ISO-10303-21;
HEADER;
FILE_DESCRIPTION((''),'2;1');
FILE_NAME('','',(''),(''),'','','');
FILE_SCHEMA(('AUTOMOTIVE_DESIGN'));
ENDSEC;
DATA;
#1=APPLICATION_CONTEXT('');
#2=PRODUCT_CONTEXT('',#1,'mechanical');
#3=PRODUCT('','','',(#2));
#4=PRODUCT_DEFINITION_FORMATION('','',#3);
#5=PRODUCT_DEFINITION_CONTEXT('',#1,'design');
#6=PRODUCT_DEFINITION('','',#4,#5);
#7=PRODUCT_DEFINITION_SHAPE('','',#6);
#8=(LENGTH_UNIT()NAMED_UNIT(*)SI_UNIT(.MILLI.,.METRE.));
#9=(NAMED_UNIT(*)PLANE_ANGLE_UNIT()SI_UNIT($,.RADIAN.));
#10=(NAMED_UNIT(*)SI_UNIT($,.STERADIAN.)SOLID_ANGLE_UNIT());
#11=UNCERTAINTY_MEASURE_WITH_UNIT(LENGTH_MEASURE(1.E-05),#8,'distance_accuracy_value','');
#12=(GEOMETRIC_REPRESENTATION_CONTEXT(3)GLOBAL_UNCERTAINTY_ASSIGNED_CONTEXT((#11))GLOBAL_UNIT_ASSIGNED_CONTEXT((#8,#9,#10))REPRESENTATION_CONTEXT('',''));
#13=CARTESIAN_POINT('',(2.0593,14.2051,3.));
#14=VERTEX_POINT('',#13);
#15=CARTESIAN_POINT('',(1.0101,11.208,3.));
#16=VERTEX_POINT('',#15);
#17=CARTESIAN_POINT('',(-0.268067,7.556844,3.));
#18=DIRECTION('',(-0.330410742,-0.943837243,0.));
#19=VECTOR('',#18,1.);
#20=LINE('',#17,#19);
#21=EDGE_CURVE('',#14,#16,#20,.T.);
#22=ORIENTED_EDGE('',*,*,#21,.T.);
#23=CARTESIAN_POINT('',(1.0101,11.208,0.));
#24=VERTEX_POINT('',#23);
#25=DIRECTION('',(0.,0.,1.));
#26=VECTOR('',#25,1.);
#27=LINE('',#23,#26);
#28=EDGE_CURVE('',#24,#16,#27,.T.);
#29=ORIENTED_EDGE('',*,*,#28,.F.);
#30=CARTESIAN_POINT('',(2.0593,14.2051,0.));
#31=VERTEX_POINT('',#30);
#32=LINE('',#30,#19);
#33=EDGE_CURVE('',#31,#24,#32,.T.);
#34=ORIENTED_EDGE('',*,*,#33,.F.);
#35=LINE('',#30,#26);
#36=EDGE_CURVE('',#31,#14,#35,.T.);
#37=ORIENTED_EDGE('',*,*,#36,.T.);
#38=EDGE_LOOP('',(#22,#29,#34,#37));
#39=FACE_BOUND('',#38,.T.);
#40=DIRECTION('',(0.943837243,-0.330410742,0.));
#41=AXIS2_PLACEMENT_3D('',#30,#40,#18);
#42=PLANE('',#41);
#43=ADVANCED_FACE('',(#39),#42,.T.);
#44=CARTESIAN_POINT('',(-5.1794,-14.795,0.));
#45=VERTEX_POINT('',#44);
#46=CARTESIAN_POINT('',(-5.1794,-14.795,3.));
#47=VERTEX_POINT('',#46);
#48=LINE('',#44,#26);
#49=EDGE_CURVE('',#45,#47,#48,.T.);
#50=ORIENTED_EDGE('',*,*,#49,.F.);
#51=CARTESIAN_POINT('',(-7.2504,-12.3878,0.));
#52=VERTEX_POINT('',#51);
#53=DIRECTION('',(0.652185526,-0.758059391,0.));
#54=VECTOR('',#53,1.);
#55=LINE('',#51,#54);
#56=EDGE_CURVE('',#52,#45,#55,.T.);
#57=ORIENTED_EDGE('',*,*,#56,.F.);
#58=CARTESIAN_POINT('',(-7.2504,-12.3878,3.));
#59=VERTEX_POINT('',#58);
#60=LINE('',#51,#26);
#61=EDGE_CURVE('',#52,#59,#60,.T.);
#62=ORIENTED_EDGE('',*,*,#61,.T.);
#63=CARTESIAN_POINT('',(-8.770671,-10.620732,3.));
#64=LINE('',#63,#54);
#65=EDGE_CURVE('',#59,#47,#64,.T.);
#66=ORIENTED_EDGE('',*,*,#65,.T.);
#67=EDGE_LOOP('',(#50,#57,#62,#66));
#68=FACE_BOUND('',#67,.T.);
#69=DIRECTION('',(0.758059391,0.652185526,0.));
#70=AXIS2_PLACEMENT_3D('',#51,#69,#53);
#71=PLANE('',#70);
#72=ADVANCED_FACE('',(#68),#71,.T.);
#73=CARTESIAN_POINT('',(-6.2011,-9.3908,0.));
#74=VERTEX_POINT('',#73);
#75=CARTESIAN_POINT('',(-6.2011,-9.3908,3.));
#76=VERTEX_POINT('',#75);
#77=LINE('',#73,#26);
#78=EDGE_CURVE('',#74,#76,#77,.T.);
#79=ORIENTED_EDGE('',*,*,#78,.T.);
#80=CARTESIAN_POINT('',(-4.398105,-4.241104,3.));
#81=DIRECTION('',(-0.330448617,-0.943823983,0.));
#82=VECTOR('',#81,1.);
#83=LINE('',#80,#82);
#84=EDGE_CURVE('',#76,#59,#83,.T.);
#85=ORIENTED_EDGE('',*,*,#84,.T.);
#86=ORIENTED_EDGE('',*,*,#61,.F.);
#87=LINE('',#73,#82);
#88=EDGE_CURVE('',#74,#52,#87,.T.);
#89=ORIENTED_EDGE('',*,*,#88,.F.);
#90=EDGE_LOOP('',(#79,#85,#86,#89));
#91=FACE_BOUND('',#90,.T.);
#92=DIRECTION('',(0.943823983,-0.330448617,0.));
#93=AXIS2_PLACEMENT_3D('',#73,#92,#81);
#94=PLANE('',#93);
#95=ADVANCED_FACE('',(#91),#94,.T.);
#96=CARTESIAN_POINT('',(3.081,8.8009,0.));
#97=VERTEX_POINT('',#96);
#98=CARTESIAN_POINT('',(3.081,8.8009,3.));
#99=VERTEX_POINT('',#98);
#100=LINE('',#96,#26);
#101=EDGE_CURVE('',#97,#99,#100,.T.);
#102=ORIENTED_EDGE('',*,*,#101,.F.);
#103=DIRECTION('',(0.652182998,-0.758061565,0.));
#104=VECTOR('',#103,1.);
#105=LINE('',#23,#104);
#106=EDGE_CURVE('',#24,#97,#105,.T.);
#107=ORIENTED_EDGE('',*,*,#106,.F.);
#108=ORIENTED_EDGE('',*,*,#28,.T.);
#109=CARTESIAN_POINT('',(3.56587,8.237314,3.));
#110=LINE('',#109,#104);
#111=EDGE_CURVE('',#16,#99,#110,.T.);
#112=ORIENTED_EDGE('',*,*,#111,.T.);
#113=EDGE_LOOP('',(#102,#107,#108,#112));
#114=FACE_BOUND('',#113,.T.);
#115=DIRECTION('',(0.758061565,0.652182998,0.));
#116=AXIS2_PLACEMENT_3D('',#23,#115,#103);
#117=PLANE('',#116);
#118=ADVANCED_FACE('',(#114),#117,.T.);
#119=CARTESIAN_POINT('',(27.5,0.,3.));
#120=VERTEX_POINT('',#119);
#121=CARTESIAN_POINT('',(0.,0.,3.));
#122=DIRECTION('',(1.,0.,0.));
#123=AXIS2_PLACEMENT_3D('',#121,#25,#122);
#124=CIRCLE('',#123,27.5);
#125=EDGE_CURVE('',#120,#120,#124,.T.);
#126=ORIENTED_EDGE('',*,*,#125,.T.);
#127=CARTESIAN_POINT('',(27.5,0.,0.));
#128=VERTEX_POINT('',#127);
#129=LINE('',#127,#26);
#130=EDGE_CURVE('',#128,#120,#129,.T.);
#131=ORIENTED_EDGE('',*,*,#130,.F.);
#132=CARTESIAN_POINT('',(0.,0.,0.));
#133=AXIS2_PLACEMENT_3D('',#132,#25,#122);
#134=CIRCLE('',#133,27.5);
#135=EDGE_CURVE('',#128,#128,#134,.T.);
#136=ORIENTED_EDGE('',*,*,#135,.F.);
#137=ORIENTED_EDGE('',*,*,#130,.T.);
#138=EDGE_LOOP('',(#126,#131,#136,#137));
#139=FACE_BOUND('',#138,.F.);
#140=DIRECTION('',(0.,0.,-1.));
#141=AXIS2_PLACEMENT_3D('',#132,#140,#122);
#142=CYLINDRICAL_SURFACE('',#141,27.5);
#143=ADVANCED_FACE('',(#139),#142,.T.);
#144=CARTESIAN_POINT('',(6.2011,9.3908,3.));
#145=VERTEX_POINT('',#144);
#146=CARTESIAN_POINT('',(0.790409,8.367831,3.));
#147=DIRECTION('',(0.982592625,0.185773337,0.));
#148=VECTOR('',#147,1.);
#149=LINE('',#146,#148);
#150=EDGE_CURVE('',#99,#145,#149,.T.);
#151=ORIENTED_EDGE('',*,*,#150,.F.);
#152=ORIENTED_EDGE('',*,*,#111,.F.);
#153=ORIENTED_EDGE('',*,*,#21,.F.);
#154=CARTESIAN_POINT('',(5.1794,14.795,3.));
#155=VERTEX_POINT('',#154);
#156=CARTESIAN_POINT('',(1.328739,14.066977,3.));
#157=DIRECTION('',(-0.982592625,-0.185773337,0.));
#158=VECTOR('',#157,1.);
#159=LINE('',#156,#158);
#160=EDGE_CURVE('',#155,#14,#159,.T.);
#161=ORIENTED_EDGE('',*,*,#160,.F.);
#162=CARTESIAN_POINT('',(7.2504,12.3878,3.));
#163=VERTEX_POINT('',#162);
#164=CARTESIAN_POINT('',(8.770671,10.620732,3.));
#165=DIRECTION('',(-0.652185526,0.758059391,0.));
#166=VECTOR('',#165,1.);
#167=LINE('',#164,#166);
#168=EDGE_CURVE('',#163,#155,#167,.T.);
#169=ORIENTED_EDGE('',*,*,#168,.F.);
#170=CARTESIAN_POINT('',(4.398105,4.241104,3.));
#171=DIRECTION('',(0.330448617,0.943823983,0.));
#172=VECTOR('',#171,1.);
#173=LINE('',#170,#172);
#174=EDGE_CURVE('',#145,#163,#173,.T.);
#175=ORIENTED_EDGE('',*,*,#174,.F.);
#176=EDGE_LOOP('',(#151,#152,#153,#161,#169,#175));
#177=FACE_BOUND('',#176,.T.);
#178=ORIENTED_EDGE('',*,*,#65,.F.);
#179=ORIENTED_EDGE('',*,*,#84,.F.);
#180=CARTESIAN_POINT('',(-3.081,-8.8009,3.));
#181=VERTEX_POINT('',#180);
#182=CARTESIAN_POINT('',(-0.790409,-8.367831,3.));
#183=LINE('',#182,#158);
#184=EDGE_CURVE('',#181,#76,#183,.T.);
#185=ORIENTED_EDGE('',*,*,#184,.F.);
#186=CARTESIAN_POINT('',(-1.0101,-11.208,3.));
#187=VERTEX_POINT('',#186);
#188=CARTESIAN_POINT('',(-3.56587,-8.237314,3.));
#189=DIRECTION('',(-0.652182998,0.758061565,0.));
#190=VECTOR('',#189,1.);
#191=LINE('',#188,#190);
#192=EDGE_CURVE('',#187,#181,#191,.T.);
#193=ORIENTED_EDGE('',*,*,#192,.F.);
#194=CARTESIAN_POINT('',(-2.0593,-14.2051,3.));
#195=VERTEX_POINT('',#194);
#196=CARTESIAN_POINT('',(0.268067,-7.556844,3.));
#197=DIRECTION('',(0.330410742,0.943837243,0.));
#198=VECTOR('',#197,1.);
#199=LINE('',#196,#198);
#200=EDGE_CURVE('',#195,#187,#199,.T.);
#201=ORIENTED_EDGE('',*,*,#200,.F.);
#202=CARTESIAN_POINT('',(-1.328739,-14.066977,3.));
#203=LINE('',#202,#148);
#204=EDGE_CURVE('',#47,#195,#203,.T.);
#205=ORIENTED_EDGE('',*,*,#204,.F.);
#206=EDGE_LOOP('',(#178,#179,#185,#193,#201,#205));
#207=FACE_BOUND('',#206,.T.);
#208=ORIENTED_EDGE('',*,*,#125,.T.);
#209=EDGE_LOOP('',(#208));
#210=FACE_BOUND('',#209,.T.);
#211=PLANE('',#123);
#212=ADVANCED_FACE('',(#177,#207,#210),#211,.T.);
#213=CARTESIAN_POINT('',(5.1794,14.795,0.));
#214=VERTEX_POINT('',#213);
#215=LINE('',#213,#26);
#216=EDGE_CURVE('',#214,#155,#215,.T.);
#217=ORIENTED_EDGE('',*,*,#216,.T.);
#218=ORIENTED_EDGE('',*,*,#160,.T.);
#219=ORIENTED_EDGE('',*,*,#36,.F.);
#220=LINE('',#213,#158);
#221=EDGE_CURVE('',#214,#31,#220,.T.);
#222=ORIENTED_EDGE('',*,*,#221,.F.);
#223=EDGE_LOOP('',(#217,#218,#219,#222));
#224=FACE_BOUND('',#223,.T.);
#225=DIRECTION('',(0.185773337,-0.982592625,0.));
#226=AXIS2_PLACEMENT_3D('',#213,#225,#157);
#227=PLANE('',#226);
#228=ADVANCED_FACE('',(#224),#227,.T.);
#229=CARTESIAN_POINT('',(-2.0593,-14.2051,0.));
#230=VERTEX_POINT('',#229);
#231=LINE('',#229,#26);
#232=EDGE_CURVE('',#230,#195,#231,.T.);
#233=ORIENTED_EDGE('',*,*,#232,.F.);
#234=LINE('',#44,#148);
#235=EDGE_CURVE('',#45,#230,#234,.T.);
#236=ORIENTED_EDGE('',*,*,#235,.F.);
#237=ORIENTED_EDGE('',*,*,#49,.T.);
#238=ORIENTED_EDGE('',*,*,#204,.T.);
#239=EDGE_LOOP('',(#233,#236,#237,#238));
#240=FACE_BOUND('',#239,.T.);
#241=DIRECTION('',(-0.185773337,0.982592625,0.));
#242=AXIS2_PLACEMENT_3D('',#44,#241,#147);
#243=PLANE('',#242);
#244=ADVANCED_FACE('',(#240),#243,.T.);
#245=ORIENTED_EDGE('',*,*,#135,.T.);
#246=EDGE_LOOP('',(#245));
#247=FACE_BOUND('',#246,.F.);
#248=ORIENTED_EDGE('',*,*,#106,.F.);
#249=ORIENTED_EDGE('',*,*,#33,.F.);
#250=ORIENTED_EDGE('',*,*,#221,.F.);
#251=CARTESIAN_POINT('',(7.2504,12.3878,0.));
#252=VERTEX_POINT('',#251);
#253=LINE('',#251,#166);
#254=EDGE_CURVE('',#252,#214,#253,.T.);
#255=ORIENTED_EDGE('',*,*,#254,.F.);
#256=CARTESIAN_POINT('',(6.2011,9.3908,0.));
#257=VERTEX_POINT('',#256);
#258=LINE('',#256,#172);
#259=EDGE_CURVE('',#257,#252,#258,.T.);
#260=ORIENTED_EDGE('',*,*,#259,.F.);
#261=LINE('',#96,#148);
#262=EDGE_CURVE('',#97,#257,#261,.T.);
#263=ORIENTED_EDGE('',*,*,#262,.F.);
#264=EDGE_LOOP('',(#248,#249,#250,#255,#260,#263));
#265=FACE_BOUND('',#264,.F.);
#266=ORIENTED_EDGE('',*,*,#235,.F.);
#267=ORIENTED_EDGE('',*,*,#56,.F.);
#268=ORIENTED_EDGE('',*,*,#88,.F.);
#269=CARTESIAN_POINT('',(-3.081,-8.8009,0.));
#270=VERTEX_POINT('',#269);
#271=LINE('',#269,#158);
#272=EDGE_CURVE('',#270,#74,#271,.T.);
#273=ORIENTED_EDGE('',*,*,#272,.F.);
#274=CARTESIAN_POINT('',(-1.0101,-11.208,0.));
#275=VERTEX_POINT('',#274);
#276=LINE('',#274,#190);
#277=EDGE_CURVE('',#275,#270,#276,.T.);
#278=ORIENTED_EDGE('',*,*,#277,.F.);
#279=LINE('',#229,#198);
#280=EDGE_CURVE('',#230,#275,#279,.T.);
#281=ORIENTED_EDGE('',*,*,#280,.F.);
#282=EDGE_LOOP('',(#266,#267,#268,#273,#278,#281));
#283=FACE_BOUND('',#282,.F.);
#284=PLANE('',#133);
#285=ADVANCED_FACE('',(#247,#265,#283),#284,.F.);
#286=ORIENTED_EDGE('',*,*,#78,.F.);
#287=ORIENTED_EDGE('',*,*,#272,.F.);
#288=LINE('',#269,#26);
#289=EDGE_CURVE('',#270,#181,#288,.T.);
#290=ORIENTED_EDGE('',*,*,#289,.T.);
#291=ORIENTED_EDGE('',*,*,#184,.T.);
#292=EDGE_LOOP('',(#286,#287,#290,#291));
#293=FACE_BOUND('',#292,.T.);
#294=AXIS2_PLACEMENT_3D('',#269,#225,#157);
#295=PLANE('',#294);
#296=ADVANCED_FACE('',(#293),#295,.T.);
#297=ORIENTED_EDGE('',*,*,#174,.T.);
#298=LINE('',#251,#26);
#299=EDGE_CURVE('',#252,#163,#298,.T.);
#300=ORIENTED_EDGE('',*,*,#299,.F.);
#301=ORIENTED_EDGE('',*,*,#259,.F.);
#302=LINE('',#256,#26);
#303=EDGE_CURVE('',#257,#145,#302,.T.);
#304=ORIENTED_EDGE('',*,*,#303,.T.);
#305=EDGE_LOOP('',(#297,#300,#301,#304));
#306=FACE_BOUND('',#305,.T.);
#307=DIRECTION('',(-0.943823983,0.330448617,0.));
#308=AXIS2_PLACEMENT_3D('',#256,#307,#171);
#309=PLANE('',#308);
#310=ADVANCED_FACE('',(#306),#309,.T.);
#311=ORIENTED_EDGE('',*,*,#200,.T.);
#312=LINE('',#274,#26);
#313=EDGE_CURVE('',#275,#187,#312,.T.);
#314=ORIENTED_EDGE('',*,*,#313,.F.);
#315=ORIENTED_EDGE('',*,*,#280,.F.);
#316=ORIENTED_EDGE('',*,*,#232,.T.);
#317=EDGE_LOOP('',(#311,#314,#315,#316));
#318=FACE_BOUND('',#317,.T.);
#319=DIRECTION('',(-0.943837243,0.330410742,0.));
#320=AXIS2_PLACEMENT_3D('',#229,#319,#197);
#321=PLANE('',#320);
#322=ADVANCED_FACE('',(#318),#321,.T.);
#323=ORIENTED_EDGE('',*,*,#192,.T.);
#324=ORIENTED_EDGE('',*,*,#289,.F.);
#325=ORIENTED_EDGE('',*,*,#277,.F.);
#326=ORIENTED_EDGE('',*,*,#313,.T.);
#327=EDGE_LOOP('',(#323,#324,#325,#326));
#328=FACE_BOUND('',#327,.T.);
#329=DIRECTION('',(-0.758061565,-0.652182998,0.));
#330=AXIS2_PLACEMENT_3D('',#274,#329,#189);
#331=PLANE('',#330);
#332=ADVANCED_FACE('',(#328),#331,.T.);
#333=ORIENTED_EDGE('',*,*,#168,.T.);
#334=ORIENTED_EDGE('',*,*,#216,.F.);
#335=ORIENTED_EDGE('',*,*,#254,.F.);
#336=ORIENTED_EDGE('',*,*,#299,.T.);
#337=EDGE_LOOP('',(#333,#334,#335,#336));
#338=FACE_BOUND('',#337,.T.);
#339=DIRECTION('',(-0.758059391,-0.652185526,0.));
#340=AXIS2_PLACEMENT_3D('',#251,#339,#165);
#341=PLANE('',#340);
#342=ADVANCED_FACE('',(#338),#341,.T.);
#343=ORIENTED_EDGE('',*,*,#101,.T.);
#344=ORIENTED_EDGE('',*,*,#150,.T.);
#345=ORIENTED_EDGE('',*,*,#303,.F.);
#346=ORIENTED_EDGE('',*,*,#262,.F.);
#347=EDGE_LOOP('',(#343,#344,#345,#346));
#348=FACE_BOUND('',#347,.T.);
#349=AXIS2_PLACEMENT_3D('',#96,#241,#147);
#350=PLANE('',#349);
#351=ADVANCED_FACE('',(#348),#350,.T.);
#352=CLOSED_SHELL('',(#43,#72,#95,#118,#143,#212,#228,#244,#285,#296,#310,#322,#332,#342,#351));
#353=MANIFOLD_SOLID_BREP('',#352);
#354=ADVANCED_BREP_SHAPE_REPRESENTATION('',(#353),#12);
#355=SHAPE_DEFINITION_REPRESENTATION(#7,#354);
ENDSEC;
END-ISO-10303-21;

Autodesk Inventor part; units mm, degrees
ref_plane "YZ Plane" through (0, 0, 0) normal (1, 0, 0) x (0, 1, 0)
ref_plane "XZ Plane" through (0, 0, 0) normal (0, 1, 0) x (-1, 0, 0)
ref_plane "XY Plane" through (0, 0, 0) normal (0, 0, 1) x (1, 0, 0)
sketch "Sketch1" plane through (0, 0, 0) normal (0, 0, 1) x (1, 0, 0)
  circle A0 centre (0, 0) radius 27.5
  dimension "d0" = 55
extrude "Extrusion1" add sketch "Sketch1" along normal blind 3
sketch "Sketch2" plane through (0, 0, 0) normal (0, 0, -1) x (-1, 0, 0)
  circle A0 centre (-4.1302, 11.7979) radius 1.5 construction
  circle A1 centre (4.1302, -11.7979) radius 1.5 construction
  line L0 (-2.0593, 14.2051) -> (-1.0101, 11.208)
  line L1 (-1.0101, 11.208) -> (-3.081, 8.8009)
  line L2 (-3.081, 8.8009) -> (-6.2011, 9.3908)
  line L3 (-6.2011, 9.3908) -> (-7.2504, 12.3878)
  line L4 (-7.2504, 12.3878) -> (-5.1794, 14.795)
  line L5 (-5.1794, 14.795) -> (-2.0593, 14.2051)
  line L6 (6.2011, -9.3908) -> (7.2504, -12.3878)
  line L7 (7.2504, -12.3878) -> (5.1794, -14.795)
  line L8 (5.1794, -14.795) -> (2.0593, -14.2051)
  line L9 (2.0593, -14.2051) -> (1.0101, -11.208)
  line L10 (1.0101, -11.208) -> (3.081, -8.8009)
  line L11 (3.081, -8.8009) -> (6.2011, -9.3908)
  dimension "d7" = 5.5
  dimension "d8" = 5.5
extrude "Extrusion2" cut sketch "Sketch2" against normal up to next
equation "\"d8\" = d7"
properties part number "BottomHolder"
